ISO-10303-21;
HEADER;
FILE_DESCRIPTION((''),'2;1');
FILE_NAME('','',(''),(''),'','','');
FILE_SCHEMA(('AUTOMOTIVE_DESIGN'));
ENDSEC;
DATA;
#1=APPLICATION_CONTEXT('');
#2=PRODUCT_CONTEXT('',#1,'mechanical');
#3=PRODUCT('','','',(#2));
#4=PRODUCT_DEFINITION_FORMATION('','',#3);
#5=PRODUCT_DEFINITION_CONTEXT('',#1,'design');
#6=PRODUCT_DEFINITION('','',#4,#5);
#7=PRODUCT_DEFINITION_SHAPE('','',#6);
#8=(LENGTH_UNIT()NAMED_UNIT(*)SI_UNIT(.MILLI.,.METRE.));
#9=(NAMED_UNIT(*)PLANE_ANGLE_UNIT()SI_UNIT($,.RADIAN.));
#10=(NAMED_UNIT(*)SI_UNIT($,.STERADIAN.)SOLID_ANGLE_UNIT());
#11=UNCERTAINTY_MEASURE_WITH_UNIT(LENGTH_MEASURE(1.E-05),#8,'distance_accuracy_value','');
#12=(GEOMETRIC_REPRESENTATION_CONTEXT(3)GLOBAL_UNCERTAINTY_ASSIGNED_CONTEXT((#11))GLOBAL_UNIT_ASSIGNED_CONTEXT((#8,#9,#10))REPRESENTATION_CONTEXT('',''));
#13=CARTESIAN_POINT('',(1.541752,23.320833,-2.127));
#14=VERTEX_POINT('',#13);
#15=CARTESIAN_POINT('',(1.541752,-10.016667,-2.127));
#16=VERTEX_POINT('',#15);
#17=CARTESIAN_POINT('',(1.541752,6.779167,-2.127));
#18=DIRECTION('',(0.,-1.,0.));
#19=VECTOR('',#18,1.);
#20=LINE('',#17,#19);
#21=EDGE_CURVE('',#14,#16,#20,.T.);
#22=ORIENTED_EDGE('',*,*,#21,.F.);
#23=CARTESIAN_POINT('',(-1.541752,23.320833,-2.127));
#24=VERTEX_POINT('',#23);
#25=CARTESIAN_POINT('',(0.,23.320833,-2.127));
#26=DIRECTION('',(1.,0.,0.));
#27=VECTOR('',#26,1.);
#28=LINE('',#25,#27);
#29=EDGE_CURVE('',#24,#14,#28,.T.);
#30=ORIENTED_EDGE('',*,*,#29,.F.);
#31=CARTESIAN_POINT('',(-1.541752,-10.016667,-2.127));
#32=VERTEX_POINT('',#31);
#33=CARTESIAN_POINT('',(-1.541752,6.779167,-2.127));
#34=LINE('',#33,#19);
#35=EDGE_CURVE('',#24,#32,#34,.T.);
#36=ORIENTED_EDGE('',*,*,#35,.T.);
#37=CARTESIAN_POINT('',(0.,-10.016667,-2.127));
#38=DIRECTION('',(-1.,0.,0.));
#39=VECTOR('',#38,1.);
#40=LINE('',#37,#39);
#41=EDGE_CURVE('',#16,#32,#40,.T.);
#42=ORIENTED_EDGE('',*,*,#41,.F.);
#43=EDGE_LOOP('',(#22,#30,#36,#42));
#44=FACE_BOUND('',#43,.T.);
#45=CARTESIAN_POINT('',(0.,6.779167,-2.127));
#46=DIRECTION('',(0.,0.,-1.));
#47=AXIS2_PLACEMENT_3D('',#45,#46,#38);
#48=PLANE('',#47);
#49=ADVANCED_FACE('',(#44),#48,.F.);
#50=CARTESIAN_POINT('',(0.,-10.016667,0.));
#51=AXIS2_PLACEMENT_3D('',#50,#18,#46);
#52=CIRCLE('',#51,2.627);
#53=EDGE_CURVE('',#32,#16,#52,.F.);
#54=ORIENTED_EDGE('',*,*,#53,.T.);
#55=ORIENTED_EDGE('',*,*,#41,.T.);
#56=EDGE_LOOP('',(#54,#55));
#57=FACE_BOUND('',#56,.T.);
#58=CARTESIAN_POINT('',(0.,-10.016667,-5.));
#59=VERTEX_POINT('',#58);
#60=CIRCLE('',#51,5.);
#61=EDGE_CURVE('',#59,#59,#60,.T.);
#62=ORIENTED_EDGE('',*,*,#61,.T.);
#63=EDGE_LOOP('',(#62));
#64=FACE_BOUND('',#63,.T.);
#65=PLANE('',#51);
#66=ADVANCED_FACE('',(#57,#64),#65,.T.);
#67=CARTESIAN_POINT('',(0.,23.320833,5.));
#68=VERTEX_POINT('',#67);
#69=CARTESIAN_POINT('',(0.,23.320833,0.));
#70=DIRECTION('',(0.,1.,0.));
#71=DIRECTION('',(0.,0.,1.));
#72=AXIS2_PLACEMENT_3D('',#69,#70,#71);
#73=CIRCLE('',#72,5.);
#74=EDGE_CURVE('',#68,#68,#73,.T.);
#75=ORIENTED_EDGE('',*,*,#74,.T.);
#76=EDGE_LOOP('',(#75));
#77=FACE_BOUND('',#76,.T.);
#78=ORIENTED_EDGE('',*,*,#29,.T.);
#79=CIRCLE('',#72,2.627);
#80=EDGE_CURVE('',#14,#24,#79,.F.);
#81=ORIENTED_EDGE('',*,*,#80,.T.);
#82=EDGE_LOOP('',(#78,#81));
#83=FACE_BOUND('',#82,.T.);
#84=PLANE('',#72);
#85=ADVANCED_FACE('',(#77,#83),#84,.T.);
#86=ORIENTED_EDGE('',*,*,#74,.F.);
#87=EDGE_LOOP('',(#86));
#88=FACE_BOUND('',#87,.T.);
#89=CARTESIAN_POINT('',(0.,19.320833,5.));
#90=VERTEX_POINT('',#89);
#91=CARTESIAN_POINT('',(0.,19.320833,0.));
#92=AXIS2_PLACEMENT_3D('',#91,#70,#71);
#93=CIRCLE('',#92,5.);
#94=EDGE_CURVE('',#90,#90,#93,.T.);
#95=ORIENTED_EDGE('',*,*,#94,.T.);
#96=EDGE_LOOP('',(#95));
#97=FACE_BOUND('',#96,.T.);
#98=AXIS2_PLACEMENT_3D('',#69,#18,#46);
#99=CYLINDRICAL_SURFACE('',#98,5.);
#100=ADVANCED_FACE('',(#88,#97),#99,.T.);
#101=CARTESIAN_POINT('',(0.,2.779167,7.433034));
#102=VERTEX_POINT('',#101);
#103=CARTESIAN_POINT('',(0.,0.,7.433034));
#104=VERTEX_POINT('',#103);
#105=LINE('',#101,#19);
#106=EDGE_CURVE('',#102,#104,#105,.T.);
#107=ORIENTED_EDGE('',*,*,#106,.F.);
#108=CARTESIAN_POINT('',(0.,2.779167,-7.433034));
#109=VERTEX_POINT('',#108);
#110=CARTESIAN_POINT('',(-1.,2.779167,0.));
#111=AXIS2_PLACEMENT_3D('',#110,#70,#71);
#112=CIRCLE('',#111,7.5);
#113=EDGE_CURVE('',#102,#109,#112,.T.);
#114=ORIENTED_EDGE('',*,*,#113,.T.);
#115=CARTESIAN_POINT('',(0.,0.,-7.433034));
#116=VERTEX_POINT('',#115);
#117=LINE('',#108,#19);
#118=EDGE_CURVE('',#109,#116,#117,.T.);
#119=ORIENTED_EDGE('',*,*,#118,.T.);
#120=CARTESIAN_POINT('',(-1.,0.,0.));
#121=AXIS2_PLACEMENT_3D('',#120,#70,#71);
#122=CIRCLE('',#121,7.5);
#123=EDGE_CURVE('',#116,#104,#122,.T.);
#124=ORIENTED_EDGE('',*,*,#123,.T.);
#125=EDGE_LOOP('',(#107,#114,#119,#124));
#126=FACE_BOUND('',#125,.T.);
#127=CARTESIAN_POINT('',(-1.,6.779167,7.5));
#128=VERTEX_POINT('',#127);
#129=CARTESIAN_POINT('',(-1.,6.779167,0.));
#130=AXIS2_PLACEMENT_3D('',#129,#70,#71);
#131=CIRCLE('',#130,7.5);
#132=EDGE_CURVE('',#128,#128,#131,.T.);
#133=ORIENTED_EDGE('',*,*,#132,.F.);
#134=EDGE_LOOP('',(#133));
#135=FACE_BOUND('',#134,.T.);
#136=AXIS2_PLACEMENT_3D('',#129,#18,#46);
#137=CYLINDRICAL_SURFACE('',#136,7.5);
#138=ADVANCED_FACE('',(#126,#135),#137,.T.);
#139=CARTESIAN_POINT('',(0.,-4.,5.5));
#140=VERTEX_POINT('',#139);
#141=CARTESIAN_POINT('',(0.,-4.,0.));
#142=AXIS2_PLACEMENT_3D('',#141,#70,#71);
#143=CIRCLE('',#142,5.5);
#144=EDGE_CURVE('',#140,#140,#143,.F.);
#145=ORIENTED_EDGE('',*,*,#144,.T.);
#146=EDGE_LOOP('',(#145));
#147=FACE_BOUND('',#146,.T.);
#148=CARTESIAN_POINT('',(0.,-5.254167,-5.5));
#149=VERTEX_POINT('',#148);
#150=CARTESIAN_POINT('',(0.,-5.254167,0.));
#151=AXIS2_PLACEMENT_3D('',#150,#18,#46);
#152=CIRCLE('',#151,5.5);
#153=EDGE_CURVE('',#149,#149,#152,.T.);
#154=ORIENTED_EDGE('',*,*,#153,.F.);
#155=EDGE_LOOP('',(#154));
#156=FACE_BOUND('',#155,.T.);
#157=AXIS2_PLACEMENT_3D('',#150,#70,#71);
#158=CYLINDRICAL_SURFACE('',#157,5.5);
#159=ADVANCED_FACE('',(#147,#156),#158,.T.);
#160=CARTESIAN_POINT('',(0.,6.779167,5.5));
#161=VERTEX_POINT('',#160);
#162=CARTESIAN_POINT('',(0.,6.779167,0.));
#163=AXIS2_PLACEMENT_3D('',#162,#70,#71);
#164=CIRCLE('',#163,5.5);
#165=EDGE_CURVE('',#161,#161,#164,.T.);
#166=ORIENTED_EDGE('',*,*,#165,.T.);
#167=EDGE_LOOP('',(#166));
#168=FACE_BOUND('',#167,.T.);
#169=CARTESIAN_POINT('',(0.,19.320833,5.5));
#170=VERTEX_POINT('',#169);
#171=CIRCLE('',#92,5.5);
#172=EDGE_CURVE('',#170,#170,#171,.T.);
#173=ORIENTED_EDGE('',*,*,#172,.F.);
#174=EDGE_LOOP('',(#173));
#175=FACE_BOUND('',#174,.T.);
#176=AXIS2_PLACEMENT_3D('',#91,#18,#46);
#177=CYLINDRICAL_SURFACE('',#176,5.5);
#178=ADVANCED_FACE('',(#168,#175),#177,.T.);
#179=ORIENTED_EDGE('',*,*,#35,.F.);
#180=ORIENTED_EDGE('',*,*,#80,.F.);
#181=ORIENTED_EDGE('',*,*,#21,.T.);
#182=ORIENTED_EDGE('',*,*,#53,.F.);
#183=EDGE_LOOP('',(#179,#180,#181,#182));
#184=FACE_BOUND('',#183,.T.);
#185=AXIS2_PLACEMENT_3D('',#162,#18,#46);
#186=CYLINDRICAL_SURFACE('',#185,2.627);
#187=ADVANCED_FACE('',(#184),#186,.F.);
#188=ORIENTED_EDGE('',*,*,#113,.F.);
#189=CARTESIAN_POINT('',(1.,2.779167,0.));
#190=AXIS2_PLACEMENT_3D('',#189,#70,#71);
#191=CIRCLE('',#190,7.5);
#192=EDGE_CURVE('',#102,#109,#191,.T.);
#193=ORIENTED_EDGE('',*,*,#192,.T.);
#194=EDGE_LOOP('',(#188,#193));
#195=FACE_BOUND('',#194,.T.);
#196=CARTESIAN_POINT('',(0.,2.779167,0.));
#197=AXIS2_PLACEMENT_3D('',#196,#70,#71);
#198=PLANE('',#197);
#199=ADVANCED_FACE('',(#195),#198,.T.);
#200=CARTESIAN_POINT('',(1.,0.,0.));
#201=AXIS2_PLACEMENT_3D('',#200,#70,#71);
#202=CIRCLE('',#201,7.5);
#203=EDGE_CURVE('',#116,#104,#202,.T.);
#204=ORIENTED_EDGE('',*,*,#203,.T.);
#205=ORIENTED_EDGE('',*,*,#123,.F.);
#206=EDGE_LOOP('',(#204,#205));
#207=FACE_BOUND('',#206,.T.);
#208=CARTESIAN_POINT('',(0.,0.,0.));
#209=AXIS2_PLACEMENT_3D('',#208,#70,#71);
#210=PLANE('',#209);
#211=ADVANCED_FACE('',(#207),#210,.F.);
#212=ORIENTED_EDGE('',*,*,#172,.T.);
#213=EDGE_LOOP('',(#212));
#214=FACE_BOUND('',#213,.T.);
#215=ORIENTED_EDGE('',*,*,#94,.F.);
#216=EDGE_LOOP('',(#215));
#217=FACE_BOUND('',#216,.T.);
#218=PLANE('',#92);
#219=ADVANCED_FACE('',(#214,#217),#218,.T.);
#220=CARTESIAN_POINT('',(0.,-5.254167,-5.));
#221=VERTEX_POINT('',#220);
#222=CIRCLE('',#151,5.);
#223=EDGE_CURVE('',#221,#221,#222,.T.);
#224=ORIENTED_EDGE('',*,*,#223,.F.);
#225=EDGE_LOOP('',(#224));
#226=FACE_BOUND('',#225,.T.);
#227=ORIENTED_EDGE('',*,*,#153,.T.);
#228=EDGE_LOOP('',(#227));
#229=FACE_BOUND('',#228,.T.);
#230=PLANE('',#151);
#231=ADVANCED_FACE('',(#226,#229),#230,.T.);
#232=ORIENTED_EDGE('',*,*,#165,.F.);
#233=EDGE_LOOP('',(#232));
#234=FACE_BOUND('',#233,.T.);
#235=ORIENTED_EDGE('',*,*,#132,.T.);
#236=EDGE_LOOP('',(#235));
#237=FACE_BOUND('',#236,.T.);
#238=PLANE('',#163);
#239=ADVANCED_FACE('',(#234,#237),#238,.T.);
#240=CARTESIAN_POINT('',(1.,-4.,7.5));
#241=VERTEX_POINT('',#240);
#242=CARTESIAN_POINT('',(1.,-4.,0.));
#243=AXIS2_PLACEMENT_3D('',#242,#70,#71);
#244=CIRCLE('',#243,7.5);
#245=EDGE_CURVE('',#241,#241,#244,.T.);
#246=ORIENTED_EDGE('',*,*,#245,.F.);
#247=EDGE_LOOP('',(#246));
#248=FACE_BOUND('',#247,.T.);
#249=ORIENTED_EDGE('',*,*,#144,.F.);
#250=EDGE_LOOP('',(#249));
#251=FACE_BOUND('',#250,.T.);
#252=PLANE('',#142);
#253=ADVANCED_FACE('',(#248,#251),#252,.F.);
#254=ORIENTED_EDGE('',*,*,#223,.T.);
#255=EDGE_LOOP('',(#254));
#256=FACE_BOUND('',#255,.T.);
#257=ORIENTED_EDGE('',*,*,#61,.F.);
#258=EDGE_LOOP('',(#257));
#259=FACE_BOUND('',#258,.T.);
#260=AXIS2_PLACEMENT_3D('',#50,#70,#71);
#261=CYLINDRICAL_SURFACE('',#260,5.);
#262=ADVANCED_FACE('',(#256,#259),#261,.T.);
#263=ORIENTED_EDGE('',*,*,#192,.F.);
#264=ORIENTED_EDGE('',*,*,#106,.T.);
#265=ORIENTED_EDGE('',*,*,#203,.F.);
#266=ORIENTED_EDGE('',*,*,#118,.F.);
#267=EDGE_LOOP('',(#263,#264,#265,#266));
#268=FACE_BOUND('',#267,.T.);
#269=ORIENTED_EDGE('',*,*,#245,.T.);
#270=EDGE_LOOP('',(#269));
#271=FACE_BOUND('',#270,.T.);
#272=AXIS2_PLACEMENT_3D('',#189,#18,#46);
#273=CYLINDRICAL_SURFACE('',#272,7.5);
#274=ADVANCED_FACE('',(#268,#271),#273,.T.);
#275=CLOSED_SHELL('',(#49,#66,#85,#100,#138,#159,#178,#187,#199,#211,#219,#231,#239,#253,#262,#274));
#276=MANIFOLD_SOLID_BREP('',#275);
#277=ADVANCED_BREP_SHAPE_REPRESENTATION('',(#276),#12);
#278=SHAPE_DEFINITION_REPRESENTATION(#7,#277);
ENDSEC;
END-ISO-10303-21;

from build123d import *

# Parameters (mm, degrees)
SKETCH1_R            = 7.5
BOSS_EXTRUDE1_DEPTH  = 6.779166667
BOSS_EXTRUDE2_DEPTH  = 2.779166667
BOSS_EXTRUDE3_START  = -4
SKETCH1_4_R          = 7.5
BOSS_EXTRUDE3_DEPTH  = 4
BOSS_EXTRUDE4_START  = 6.016666667
SKETCH2_R            = 5
BOSS_EXTRUDE4_DEPTH  = 6.016666667
BOSS_EXTRUDE5_START  = 1.254166667
SKETCH2_3_R          = 5.5
SKETCH2_3_R_2        = 5
BOSS_EXTRUDE5_DEPTH  = 1.254166667
SKETCH3_R            = 5
BOSS_EXTRUDE9_DEPTH  = 16.541666667
SKETCH3_3_R          = 5.5
SKETCH3_3_R_2        = 5
BOSS_EXTRUDE10_DEPTH = 12.541666667


with BuildPart() as part:
    # Sketch1 → Boss-Extrude1 (new body)
    with BuildSketch(Plane(origin=(0, 0, 0), x_dir=(1, 0, 0), z_dir=(0, 1, 0))):
        with Locations(Location((-1, 0, 0), (0, 0, 270))):
            Circle(SKETCH1_R)
        with BuildLine():
            Line((-1.54175225, 2.127), (1.54175225, 2.127))
            ThreePointArc((1.54175225, 2.127), (0, -2.627), (-1.54175225, 2.127))
        make_face(mode=Mode.SUBTRACT)
    extrude(amount=BOSS_EXTRUDE1_DEPTH)

    # Sketch1<3> → Boss-Extrude2 (add)
    with BuildSketch(Plane(origin=(0, 0, 0), x_dir=(1, 0, 0), z_dir=(0, 1, 0))):
        with BuildLine():
            ThreePointArc((0, -7.433034374), (5.937104415, -5.645794895), (8.5, 0))
            ThreePointArc((8.5, 0), (5.937104415, 5.645794895), (0, 7.433034374))
            ThreePointArc((0, 7.433034374), (4.645794895, 4.937104415), (6.5, 0))
            ThreePointArc((6.5, 0), (4.645794895, -4.937104415), (0, -7.433034374))
        make_face()
    extrude(amount=BOSS_EXTRUDE2_DEPTH)

    # Sketch1<4> → Boss-Extrude3 (add)
    with BuildSketch(Plane(origin=(0, 0, 0), x_dir=(1, 0, 0), z_dir=(0, 1, 0)).offset(BOSS_EXTRUDE3_START)):
        with Locations(Location((1, 0, 0), (0, 0, 97.662255661))):
            Circle(SKETCH1_4_R)
        with BuildLine():
            Line((-1.54175225, 2.127), (1.54175225, 2.127))
            ThreePointArc((1.54175225, 2.127), (0, -2.627), (-1.54175225, 2.127))
        make_face(mode=Mode.SUBTRACT)
    extrude(amount=BOSS_EXTRUDE3_DEPTH)

    # Sketch2 → Boss-Extrude4 (add)
    with BuildSketch(Plane.XZ.offset(4).offset(BOSS_EXTRUDE4_START)):
        with Locations(Location((0, 0, 0), (0, 0, 90))):
            Circle(SKETCH2_R)
        with BuildLine():
            ThreePointArc((-1.54175225, -2.127), (0, 2.627), (1.54175225, -2.127))
            Line((1.54175225, -2.127), (-1.54175225, -2.127))
        make_face(mode=Mode.SUBTRACT)
    extrude(amount=-BOSS_EXTRUDE4_DEPTH)

    # Sketch2<3> → Boss-Extrude5 (add)
    with BuildSketch(Plane.XZ.offset(4).offset(BOSS_EXTRUDE5_START)):
        with Locations(Location((0, 0, 0), (0, 0, 90))):
            Circle(SKETCH2_3_R)
        with Locations(Location((0, 0, 0), (0, 0, 270))):
            Circle(SKETCH2_3_R_2, mode=Mode.SUBTRACT)
    extrude(amount=-BOSS_EXTRUDE5_DEPTH)

    # Sketch3 → Boss-Extrude9 (add)
    with BuildSketch(Plane(origin=(0, 6.779166667, 0), x_dir=(1, 0, 0), z_dir=(0, 1, 0))):
        with Locations(Location((0, 0, 0), (0, 0, 90))):
            Circle(SKETCH3_R)
        with BuildLine():
            Line((-1.54175225, 2.127), (1.54175225, 2.127))
            ThreePointArc((1.54175225, 2.127), (0, -2.627), (-1.54175225, 2.127))
        make_face(mode=Mode.SUBTRACT)
    extrude(amount=BOSS_EXTRUDE9_DEPTH)

    # Sketch3<3> → Boss-Extrude10 (add)
    with BuildSketch(Plane(origin=(0, 6.779166667, 0), x_dir=(1, 0, 0), z_dir=(0, 1, 0))):
        with Locations(Location((0, 0, 0), (0, 0, 270))):
            Circle(SKETCH3_3_R)
        with Locations(Location((0, 0, 0), (0, 0, 90))):
            Circle(SKETCH3_3_R_2, mode=Mode.SUBTRACT)
    extrude(amount=BOSS_EXTRUDE10_DEPTH)


solid = part.part
